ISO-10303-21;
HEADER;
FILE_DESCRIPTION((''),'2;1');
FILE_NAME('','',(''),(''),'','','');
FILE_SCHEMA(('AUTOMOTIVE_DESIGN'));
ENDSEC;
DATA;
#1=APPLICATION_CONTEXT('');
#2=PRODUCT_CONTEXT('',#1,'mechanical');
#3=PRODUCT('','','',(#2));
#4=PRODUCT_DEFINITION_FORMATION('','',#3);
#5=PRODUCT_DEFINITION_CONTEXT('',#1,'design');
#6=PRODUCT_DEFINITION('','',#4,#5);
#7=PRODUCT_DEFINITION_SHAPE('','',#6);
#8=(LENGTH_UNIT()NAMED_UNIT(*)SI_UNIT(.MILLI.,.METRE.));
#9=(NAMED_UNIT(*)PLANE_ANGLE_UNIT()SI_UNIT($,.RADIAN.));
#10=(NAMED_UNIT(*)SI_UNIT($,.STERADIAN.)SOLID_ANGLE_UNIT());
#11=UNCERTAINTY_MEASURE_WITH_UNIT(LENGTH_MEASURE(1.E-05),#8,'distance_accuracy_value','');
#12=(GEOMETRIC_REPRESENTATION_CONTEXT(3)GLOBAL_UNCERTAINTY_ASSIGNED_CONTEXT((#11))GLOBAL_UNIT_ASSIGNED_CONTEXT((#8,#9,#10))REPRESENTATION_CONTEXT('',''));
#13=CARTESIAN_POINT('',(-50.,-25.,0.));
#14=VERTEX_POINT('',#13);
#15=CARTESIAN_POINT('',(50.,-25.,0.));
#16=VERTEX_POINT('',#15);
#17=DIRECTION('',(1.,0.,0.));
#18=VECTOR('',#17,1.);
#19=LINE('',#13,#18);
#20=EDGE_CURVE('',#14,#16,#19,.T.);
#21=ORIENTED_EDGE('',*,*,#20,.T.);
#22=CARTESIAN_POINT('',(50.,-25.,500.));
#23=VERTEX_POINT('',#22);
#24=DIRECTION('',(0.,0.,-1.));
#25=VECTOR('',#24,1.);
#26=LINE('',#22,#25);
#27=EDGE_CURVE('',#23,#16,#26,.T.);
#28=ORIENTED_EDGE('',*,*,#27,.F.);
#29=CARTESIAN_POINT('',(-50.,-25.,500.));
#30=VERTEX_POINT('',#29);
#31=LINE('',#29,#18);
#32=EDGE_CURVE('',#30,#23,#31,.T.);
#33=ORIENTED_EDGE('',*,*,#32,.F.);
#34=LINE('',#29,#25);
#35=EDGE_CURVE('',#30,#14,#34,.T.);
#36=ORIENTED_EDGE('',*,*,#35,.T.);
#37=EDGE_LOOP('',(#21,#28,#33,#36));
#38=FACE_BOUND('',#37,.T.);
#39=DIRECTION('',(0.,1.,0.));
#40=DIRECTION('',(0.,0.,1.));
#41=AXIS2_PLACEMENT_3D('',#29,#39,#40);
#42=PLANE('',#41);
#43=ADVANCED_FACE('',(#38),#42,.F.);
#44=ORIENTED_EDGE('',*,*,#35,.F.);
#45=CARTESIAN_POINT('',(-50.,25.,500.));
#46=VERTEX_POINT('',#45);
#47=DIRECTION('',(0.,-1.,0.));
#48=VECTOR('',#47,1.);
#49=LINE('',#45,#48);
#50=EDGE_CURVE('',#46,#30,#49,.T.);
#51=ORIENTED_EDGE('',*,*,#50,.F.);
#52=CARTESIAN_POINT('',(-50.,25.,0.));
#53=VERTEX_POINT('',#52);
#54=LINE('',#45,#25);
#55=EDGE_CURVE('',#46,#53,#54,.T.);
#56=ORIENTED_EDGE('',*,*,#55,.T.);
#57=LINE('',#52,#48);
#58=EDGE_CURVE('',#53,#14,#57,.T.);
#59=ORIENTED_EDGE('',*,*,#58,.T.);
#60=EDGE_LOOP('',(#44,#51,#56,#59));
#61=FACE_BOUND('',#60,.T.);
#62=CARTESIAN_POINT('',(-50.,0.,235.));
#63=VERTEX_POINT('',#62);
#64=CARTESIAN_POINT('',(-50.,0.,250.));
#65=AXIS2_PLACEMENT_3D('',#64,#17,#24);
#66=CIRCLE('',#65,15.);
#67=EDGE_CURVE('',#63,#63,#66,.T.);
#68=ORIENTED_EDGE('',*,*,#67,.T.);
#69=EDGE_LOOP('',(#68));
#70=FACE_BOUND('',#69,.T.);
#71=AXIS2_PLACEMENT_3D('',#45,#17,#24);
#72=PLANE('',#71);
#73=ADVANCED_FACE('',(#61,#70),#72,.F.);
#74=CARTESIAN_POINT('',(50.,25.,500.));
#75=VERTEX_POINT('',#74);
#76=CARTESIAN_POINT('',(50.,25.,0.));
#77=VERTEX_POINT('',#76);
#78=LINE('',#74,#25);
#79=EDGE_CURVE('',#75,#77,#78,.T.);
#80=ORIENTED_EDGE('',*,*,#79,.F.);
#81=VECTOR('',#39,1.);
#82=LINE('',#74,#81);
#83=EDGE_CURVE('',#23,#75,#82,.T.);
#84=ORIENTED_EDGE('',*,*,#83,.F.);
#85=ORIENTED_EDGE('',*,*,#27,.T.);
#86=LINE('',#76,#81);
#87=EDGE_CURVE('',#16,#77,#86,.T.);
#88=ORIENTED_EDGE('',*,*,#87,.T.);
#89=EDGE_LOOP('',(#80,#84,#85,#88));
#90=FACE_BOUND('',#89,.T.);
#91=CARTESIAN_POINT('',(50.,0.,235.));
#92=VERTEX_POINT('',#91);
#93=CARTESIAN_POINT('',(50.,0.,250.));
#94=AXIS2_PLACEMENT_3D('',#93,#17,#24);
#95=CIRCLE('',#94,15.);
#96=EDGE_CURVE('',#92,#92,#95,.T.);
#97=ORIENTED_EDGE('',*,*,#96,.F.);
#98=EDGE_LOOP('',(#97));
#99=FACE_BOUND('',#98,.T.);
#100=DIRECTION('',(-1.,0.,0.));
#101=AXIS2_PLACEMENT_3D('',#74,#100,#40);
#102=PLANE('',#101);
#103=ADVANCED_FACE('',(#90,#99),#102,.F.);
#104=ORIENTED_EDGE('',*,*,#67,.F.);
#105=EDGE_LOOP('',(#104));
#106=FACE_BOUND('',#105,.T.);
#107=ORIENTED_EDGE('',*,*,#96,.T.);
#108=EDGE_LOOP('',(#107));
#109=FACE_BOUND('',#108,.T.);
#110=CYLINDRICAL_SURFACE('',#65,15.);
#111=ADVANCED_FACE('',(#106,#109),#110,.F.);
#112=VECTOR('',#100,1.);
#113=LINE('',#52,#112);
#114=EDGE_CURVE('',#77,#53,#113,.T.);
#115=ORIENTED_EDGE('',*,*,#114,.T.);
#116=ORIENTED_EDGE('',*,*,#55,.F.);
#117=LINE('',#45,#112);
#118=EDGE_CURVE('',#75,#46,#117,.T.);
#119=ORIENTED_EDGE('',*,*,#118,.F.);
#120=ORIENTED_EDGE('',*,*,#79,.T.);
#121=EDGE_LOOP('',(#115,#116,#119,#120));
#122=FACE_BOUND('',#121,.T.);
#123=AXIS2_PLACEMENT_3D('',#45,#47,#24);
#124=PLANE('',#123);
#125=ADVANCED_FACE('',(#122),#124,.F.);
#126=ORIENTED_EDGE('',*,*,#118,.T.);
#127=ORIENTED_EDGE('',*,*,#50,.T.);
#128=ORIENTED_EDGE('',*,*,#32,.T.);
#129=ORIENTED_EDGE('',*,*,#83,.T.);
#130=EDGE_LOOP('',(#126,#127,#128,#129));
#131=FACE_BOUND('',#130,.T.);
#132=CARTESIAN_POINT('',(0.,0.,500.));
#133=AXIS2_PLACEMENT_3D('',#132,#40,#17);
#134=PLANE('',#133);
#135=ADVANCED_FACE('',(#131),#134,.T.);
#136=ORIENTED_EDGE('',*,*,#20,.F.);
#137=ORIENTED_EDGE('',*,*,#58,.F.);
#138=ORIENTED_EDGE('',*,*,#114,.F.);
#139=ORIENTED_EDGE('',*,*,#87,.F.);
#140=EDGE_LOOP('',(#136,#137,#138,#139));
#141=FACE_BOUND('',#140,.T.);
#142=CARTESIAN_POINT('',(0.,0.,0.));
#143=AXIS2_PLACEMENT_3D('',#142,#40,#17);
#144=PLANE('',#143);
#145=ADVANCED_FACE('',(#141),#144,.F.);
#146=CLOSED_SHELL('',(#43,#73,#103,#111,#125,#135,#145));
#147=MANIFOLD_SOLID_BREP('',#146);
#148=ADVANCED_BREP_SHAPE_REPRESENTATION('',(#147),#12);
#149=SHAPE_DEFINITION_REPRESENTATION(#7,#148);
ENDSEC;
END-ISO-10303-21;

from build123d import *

# Parameters (mm, degrees)
SKETCH1_W           = 100
SKETCH1_H           = 50
BOSS_EXTRUDE1_DEPTH = 500
SKETCH2_R           = 15
CUT_EXTRUDE1_DEPTH  = 511.514446417


with BuildPart() as part:
    # Sketch1 → Boss-Extrude1 (new body)
    with BuildSketch(Plane.XY):
        Rectangle(SKETCH1_W, SKETCH1_H)
    extrude(amount=BOSS_EXTRUDE1_DEPTH)

    # Sketch2 → Cut-Extrude1 (cut, through all)
    with BuildSketch(Plane(origin=(50, 0, 0), x_dir=(0, 0, -1), z_dir=(1, 0, 0))):
        with Locations((-250, 0)):
            Circle(SKETCH2_R)
    extrude(amount=-CUT_EXTRUDE1_DEPTH, mode=Mode.SUBTRACT)


solid = part.part
